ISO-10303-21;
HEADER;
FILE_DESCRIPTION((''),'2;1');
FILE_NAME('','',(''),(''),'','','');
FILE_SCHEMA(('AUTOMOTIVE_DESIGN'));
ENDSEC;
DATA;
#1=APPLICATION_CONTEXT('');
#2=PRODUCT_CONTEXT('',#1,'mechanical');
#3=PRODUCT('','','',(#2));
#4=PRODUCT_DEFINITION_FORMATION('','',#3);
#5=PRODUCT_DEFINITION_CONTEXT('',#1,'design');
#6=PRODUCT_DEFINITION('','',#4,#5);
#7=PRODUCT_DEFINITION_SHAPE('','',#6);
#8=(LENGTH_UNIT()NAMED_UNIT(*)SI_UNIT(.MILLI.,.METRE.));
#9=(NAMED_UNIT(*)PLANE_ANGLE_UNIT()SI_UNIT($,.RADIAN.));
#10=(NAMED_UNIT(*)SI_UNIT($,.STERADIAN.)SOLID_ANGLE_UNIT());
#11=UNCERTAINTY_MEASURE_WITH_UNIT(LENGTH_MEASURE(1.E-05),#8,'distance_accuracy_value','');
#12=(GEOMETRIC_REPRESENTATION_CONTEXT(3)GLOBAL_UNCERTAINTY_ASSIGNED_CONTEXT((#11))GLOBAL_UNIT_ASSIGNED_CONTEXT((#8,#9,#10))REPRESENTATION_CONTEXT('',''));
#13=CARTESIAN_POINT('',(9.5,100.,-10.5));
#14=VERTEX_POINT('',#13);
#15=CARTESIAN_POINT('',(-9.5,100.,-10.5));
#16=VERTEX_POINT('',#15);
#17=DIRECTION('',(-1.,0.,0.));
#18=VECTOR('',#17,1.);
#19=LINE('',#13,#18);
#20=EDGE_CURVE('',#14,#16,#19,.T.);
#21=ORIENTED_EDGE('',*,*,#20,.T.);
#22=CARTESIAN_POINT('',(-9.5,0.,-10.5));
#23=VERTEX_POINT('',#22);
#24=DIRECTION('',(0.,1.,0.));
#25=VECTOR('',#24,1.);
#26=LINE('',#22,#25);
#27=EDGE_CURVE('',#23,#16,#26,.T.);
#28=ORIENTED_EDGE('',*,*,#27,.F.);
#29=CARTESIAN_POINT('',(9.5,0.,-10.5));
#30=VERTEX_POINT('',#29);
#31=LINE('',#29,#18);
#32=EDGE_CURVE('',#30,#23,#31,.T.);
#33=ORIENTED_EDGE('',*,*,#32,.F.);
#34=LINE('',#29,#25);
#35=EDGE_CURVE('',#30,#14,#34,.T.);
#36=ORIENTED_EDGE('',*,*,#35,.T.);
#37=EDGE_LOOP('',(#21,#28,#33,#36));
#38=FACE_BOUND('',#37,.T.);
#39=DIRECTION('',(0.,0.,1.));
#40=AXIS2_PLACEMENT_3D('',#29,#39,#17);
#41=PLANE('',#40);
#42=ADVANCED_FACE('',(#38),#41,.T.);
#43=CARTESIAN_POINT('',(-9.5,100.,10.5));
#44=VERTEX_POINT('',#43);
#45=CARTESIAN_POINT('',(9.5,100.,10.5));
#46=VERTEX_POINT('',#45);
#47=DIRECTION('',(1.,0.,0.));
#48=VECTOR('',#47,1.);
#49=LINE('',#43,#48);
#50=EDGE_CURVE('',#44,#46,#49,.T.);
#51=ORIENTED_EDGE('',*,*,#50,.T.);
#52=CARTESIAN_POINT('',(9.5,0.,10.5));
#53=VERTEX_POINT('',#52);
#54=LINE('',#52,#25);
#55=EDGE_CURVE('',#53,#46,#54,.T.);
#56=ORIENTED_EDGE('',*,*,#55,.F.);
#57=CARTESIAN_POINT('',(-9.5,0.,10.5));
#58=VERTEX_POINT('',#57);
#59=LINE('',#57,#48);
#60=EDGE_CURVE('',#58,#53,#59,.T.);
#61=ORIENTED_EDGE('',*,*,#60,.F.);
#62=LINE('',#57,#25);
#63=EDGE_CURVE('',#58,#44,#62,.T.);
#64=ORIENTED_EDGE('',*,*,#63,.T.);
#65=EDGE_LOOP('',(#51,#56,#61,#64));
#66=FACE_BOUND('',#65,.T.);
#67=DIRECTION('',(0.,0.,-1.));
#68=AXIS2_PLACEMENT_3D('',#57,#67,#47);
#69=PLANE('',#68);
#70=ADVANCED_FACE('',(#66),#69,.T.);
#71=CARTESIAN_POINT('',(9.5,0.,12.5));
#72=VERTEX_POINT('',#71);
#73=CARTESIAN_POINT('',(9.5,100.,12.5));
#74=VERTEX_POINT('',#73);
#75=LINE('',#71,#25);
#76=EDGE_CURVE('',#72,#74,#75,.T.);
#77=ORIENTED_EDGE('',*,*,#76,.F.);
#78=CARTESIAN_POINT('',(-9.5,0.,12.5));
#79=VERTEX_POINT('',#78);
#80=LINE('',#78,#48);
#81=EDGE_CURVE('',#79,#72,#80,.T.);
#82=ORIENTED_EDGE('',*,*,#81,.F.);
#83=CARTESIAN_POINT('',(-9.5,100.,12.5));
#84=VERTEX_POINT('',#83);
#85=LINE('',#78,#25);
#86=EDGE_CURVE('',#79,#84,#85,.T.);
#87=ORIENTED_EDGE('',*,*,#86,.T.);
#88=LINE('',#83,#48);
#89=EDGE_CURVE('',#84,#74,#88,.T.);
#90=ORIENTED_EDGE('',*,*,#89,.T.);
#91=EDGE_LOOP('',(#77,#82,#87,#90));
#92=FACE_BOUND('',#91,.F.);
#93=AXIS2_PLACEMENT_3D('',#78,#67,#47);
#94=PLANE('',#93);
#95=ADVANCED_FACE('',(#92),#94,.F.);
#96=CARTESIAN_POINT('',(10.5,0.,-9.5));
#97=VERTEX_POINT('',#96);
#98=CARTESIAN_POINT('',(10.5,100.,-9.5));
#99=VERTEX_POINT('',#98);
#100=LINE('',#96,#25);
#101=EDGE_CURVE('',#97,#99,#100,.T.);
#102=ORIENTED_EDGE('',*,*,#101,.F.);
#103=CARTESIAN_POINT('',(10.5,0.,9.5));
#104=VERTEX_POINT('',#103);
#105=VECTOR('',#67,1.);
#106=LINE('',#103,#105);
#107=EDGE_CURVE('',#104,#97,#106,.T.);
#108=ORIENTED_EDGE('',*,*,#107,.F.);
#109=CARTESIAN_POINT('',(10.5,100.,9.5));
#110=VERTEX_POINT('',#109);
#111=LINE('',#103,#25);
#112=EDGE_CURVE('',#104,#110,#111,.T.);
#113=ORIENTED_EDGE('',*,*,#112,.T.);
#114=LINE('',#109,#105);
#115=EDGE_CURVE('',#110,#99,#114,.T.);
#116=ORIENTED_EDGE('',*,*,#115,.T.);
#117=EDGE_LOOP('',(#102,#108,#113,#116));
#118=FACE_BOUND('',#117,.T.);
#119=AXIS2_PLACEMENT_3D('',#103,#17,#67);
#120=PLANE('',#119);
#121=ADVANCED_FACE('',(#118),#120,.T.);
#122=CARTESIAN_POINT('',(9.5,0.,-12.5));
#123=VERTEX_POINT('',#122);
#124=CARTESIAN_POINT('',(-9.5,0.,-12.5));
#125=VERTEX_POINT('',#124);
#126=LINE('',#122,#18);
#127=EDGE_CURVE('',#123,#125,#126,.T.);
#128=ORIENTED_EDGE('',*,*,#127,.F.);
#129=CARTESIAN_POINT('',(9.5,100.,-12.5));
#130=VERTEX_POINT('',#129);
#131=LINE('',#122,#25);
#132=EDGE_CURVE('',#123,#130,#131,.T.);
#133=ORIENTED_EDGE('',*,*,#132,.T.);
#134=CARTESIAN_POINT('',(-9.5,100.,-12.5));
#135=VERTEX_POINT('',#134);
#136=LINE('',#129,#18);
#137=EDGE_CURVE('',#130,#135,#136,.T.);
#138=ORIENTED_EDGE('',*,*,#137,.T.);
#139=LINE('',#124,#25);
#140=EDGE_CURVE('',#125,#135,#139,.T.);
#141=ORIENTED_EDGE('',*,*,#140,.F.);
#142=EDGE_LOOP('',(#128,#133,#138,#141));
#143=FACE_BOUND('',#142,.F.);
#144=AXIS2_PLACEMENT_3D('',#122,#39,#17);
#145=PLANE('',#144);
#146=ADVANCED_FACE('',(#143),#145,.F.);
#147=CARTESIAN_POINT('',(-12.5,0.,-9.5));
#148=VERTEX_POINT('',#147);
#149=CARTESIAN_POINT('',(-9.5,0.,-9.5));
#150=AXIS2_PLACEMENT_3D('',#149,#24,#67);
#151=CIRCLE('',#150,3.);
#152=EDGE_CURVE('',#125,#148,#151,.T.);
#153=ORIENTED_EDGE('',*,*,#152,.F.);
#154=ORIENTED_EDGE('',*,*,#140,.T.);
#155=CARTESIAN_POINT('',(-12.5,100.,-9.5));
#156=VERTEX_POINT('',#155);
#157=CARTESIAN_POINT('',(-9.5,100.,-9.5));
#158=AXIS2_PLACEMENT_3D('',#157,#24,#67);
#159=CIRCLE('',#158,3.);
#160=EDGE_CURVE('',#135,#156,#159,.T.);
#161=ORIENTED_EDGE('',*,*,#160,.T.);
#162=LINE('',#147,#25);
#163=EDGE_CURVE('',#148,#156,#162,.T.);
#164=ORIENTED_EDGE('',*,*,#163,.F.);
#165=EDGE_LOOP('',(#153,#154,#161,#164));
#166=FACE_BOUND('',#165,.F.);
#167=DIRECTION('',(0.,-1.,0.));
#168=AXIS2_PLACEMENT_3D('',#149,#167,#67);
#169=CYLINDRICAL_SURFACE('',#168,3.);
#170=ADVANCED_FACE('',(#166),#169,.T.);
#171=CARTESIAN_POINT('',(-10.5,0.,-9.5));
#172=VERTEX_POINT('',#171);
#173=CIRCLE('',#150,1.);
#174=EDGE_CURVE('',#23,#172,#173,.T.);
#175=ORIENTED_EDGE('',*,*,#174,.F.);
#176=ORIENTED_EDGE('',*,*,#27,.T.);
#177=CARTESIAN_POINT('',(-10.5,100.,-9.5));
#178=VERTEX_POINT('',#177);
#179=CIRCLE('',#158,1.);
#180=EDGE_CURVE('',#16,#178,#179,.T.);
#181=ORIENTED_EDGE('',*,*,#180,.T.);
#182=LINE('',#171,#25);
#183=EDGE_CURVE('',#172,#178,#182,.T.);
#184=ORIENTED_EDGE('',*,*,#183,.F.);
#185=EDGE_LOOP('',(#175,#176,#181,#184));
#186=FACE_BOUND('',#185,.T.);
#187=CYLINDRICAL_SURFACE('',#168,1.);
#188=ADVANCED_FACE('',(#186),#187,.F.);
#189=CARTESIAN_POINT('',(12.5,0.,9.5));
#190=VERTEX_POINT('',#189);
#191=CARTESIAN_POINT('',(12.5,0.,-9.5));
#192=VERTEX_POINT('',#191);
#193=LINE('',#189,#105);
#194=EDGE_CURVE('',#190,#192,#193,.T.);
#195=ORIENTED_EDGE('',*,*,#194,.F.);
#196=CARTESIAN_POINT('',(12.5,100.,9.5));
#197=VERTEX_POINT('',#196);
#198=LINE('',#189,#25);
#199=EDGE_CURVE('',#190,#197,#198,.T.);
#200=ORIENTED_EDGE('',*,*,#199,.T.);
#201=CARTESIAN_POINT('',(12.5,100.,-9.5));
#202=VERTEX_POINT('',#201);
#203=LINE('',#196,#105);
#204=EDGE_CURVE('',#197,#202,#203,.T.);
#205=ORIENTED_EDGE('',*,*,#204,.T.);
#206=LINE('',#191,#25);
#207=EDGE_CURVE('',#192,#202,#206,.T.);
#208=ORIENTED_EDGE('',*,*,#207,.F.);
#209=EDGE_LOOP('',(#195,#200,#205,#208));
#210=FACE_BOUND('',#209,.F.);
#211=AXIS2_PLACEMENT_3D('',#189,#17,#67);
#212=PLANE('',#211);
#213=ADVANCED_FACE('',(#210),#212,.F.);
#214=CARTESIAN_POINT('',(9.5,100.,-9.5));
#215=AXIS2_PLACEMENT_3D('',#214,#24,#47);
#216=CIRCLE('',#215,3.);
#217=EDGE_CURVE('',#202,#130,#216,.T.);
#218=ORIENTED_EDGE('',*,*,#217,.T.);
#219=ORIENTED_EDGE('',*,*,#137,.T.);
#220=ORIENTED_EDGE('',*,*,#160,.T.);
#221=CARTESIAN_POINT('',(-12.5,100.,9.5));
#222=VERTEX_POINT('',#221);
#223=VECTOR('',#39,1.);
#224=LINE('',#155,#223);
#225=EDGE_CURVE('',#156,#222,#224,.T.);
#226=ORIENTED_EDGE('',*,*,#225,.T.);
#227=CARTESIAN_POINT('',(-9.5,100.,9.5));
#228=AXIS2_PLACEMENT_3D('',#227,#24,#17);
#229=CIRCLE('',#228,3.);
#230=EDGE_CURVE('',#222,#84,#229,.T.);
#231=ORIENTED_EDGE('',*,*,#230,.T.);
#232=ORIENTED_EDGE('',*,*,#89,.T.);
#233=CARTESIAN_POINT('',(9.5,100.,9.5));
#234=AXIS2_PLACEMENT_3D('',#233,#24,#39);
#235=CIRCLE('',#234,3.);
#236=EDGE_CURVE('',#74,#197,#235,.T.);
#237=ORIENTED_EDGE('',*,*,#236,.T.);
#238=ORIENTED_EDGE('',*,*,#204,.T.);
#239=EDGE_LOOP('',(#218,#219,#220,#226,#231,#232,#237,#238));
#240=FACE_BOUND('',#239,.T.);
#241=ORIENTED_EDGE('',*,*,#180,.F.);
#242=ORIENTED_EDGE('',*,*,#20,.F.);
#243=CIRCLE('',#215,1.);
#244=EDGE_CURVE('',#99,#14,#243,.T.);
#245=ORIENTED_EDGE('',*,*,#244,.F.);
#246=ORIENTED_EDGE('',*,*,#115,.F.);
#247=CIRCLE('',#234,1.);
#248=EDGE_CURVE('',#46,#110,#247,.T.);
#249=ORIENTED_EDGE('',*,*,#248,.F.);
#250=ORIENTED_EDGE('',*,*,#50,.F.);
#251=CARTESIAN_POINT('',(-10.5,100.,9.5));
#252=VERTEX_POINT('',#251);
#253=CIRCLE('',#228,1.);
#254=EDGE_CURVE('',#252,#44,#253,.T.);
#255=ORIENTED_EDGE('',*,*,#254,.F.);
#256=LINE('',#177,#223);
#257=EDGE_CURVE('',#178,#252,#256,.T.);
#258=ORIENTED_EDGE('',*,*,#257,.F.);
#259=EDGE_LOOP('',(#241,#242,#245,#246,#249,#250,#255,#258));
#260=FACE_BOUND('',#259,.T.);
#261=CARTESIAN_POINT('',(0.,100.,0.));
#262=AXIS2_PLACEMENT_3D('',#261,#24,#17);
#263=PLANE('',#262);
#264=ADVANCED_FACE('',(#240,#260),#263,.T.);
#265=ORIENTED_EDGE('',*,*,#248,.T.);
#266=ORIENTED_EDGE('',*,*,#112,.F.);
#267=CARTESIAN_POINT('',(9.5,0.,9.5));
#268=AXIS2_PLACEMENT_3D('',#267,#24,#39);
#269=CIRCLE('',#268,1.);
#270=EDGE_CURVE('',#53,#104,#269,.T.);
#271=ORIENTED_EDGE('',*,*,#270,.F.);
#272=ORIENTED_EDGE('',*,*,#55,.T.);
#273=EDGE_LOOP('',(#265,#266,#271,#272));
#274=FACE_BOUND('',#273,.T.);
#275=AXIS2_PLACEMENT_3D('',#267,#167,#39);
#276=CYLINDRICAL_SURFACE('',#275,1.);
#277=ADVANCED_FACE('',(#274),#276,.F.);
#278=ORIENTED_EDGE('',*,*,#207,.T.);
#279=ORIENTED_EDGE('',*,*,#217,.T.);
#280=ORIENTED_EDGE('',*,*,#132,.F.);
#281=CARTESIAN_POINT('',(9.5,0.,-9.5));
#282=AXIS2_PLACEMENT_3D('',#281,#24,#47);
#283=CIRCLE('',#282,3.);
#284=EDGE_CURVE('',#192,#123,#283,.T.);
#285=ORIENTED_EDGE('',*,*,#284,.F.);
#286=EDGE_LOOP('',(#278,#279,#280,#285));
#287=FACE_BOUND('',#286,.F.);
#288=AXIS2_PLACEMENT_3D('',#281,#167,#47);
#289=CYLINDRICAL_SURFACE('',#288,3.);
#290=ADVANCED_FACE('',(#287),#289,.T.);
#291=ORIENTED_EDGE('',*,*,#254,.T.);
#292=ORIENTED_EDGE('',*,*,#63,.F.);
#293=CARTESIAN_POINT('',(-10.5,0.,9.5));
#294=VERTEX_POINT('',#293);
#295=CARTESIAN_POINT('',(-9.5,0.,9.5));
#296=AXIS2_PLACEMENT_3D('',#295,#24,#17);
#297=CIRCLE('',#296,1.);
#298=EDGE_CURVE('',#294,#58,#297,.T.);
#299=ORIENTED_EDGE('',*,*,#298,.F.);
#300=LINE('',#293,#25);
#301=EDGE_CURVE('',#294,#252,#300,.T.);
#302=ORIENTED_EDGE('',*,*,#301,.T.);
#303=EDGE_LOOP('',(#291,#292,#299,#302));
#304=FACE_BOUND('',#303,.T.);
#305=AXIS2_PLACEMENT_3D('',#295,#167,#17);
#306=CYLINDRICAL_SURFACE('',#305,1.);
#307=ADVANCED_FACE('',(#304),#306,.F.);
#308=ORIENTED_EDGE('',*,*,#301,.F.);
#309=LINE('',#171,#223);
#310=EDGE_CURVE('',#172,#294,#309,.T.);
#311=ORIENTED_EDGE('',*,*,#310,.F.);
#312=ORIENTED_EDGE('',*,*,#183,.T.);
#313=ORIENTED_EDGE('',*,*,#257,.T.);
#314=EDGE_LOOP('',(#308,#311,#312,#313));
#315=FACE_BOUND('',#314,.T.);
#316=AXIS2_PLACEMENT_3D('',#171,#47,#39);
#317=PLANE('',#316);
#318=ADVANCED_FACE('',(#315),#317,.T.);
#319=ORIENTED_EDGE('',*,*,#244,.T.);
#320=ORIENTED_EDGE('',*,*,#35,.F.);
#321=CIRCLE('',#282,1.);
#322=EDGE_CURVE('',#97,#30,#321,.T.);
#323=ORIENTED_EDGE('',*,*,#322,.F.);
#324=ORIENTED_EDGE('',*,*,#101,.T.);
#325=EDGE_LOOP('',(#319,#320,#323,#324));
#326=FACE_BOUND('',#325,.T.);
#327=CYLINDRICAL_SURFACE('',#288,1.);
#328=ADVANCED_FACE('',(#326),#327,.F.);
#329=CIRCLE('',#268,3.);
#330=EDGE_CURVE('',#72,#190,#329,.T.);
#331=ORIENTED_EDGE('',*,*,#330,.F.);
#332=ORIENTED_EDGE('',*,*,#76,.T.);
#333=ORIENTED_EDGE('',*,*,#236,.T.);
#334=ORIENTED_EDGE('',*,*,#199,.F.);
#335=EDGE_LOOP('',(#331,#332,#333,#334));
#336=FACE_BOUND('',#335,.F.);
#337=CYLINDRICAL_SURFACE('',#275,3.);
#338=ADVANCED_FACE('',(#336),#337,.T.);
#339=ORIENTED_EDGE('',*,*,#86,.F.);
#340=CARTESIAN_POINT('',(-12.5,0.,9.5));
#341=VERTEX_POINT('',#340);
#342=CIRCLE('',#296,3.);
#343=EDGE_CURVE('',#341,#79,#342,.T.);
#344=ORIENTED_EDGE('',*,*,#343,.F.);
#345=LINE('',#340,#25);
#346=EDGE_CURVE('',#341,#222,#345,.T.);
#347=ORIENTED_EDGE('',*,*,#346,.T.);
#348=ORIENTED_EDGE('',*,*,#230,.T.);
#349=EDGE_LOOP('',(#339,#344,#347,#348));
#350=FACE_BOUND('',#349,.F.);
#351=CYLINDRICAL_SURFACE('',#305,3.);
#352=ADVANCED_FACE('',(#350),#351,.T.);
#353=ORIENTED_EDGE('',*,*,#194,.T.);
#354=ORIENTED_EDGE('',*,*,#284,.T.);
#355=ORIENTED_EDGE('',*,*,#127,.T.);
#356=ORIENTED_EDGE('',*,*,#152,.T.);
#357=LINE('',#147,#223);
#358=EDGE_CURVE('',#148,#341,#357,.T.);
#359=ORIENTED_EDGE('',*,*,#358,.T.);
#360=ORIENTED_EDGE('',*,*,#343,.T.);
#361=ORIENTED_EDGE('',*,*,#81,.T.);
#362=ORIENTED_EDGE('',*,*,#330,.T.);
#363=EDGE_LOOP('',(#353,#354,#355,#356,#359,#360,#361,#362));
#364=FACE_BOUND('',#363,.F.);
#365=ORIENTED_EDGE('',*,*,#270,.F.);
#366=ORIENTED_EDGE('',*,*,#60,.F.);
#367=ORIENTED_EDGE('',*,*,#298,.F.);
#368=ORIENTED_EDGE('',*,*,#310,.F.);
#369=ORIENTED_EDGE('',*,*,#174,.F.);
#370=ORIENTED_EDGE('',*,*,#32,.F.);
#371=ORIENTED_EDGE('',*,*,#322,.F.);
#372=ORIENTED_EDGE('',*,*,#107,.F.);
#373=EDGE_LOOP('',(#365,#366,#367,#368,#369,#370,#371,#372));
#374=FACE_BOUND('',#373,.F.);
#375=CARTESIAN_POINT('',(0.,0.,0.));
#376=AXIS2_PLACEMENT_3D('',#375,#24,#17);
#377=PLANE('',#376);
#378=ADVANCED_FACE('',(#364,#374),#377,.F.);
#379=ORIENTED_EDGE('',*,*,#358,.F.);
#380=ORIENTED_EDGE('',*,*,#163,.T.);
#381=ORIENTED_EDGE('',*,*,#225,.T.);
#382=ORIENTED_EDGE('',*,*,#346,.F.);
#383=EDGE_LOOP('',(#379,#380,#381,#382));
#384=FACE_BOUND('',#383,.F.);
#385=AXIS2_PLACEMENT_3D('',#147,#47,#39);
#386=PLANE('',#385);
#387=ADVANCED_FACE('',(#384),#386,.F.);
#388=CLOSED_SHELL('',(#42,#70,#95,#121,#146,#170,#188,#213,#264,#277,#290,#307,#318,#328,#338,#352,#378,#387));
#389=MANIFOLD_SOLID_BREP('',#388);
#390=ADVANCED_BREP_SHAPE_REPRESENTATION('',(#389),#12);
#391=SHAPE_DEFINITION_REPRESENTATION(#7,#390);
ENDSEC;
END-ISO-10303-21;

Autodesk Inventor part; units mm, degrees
ref_plane "YZ Plane" through (0, 0, 0) normal (1, 0, 0) x (0, 1, 0)
ref_plane "XZ Plane" through (0, 0, 0) normal (0, 1, 0) x (-1, 0, 0)
ref_plane "XY Plane" through (0, 0, 0) normal (0, 0, 1) x (1, 0, 0)
sketch "Sketch1" plane through (0, 0, 0) normal (0, 1, 0) x (-1, 0, 0)
  line L0 (-9.5, 11.5) -> (9.5, 11.5) construction
  line L1 (11.5, 9.5) -> (11.5, -9.5) construction
  line L2 (9.5, -11.5) -> (-9.5, -11.5) construction
  line L3 (-11.5, -9.5) -> (-11.5, 9.5) construction
  line L4 (-11.5, 11.5) -> (11.5, -11.5) construction
  line L5 (11.5, 11.5) -> (-11.5, -11.5) construction
  arc A0 (11.5, 9.5) -> (9.5, 11.5) centre (9.5, 9.5) ccw construction
  arc A1 (9.5, -11.5) -> (11.5, -9.5) centre (9.5, -9.5) ccw construction
  arc A2 (-11.5, -9.5) -> (-9.5, -11.5) centre (-9.5, -9.5) ccw construction
  arc A3 (-9.5, 11.5) -> (-11.5, 9.5) centre (-9.5, 9.5) ccw construction
  line L6 (-9.5, -12.5) -> (9.5, -12.5)
  arc A4 (9.5, -12.5) -> (12.5, -9.5) centre (9.5, -9.5) ccw
  line L7 (12.5, -9.5) -> (12.5, 9.5)
  arc A5 (12.5, 9.5) -> (9.5, 12.5) centre (9.5, 9.5) ccw
  line L8 (9.5, 12.5) -> (-9.5, 12.5)
  arc A6 (-9.5, 12.5) -> (-12.5, 9.5) centre (-9.5, 9.5) ccw
  line L9 (-12.5, 9.5) -> (-12.5, -9.5)
  arc A7 (-12.5, -9.5) -> (-9.5, -12.5) centre (-9.5, -9.5) ccw
  line L10 (10.5, -9.5) -> (10.5, 9.5)
  arc A8 (10.5, 9.5) -> (9.5, 10.5) centre (9.5, 9.5) ccw
  line L11 (9.5, 10.5) -> (-9.5, 10.5)
  arc A9 (-9.5, 10.5) -> (-10.5, 9.5) centre (-9.5, 9.5) ccw
  line L12 (-10.5, 9.5) -> (-10.5, -9.5)
  arc A10 (-10.5, -9.5) -> (-9.5, -10.5) centre (-9.5, -9.5) ccw
  line L13 (-9.5, -10.5) -> (9.5, -10.5)
  arc A11 (9.5, -10.5) -> (10.5, -9.5) centre (9.5, -9.5) ccw
  point P0 (0, 0)
  point P1 (0, 0)
  point P2 (0, 0)
  dimension "d10" = 2
  dimension "depth" = 25
  dimension "width" = 25
  dimension "thickness" = 2
extrude "Extrusion1" add sketch "Sketch1" along normal blind 100
equation "\"d10\" = thickness"
properties part number "beam 25x25x2" material "Steel"
